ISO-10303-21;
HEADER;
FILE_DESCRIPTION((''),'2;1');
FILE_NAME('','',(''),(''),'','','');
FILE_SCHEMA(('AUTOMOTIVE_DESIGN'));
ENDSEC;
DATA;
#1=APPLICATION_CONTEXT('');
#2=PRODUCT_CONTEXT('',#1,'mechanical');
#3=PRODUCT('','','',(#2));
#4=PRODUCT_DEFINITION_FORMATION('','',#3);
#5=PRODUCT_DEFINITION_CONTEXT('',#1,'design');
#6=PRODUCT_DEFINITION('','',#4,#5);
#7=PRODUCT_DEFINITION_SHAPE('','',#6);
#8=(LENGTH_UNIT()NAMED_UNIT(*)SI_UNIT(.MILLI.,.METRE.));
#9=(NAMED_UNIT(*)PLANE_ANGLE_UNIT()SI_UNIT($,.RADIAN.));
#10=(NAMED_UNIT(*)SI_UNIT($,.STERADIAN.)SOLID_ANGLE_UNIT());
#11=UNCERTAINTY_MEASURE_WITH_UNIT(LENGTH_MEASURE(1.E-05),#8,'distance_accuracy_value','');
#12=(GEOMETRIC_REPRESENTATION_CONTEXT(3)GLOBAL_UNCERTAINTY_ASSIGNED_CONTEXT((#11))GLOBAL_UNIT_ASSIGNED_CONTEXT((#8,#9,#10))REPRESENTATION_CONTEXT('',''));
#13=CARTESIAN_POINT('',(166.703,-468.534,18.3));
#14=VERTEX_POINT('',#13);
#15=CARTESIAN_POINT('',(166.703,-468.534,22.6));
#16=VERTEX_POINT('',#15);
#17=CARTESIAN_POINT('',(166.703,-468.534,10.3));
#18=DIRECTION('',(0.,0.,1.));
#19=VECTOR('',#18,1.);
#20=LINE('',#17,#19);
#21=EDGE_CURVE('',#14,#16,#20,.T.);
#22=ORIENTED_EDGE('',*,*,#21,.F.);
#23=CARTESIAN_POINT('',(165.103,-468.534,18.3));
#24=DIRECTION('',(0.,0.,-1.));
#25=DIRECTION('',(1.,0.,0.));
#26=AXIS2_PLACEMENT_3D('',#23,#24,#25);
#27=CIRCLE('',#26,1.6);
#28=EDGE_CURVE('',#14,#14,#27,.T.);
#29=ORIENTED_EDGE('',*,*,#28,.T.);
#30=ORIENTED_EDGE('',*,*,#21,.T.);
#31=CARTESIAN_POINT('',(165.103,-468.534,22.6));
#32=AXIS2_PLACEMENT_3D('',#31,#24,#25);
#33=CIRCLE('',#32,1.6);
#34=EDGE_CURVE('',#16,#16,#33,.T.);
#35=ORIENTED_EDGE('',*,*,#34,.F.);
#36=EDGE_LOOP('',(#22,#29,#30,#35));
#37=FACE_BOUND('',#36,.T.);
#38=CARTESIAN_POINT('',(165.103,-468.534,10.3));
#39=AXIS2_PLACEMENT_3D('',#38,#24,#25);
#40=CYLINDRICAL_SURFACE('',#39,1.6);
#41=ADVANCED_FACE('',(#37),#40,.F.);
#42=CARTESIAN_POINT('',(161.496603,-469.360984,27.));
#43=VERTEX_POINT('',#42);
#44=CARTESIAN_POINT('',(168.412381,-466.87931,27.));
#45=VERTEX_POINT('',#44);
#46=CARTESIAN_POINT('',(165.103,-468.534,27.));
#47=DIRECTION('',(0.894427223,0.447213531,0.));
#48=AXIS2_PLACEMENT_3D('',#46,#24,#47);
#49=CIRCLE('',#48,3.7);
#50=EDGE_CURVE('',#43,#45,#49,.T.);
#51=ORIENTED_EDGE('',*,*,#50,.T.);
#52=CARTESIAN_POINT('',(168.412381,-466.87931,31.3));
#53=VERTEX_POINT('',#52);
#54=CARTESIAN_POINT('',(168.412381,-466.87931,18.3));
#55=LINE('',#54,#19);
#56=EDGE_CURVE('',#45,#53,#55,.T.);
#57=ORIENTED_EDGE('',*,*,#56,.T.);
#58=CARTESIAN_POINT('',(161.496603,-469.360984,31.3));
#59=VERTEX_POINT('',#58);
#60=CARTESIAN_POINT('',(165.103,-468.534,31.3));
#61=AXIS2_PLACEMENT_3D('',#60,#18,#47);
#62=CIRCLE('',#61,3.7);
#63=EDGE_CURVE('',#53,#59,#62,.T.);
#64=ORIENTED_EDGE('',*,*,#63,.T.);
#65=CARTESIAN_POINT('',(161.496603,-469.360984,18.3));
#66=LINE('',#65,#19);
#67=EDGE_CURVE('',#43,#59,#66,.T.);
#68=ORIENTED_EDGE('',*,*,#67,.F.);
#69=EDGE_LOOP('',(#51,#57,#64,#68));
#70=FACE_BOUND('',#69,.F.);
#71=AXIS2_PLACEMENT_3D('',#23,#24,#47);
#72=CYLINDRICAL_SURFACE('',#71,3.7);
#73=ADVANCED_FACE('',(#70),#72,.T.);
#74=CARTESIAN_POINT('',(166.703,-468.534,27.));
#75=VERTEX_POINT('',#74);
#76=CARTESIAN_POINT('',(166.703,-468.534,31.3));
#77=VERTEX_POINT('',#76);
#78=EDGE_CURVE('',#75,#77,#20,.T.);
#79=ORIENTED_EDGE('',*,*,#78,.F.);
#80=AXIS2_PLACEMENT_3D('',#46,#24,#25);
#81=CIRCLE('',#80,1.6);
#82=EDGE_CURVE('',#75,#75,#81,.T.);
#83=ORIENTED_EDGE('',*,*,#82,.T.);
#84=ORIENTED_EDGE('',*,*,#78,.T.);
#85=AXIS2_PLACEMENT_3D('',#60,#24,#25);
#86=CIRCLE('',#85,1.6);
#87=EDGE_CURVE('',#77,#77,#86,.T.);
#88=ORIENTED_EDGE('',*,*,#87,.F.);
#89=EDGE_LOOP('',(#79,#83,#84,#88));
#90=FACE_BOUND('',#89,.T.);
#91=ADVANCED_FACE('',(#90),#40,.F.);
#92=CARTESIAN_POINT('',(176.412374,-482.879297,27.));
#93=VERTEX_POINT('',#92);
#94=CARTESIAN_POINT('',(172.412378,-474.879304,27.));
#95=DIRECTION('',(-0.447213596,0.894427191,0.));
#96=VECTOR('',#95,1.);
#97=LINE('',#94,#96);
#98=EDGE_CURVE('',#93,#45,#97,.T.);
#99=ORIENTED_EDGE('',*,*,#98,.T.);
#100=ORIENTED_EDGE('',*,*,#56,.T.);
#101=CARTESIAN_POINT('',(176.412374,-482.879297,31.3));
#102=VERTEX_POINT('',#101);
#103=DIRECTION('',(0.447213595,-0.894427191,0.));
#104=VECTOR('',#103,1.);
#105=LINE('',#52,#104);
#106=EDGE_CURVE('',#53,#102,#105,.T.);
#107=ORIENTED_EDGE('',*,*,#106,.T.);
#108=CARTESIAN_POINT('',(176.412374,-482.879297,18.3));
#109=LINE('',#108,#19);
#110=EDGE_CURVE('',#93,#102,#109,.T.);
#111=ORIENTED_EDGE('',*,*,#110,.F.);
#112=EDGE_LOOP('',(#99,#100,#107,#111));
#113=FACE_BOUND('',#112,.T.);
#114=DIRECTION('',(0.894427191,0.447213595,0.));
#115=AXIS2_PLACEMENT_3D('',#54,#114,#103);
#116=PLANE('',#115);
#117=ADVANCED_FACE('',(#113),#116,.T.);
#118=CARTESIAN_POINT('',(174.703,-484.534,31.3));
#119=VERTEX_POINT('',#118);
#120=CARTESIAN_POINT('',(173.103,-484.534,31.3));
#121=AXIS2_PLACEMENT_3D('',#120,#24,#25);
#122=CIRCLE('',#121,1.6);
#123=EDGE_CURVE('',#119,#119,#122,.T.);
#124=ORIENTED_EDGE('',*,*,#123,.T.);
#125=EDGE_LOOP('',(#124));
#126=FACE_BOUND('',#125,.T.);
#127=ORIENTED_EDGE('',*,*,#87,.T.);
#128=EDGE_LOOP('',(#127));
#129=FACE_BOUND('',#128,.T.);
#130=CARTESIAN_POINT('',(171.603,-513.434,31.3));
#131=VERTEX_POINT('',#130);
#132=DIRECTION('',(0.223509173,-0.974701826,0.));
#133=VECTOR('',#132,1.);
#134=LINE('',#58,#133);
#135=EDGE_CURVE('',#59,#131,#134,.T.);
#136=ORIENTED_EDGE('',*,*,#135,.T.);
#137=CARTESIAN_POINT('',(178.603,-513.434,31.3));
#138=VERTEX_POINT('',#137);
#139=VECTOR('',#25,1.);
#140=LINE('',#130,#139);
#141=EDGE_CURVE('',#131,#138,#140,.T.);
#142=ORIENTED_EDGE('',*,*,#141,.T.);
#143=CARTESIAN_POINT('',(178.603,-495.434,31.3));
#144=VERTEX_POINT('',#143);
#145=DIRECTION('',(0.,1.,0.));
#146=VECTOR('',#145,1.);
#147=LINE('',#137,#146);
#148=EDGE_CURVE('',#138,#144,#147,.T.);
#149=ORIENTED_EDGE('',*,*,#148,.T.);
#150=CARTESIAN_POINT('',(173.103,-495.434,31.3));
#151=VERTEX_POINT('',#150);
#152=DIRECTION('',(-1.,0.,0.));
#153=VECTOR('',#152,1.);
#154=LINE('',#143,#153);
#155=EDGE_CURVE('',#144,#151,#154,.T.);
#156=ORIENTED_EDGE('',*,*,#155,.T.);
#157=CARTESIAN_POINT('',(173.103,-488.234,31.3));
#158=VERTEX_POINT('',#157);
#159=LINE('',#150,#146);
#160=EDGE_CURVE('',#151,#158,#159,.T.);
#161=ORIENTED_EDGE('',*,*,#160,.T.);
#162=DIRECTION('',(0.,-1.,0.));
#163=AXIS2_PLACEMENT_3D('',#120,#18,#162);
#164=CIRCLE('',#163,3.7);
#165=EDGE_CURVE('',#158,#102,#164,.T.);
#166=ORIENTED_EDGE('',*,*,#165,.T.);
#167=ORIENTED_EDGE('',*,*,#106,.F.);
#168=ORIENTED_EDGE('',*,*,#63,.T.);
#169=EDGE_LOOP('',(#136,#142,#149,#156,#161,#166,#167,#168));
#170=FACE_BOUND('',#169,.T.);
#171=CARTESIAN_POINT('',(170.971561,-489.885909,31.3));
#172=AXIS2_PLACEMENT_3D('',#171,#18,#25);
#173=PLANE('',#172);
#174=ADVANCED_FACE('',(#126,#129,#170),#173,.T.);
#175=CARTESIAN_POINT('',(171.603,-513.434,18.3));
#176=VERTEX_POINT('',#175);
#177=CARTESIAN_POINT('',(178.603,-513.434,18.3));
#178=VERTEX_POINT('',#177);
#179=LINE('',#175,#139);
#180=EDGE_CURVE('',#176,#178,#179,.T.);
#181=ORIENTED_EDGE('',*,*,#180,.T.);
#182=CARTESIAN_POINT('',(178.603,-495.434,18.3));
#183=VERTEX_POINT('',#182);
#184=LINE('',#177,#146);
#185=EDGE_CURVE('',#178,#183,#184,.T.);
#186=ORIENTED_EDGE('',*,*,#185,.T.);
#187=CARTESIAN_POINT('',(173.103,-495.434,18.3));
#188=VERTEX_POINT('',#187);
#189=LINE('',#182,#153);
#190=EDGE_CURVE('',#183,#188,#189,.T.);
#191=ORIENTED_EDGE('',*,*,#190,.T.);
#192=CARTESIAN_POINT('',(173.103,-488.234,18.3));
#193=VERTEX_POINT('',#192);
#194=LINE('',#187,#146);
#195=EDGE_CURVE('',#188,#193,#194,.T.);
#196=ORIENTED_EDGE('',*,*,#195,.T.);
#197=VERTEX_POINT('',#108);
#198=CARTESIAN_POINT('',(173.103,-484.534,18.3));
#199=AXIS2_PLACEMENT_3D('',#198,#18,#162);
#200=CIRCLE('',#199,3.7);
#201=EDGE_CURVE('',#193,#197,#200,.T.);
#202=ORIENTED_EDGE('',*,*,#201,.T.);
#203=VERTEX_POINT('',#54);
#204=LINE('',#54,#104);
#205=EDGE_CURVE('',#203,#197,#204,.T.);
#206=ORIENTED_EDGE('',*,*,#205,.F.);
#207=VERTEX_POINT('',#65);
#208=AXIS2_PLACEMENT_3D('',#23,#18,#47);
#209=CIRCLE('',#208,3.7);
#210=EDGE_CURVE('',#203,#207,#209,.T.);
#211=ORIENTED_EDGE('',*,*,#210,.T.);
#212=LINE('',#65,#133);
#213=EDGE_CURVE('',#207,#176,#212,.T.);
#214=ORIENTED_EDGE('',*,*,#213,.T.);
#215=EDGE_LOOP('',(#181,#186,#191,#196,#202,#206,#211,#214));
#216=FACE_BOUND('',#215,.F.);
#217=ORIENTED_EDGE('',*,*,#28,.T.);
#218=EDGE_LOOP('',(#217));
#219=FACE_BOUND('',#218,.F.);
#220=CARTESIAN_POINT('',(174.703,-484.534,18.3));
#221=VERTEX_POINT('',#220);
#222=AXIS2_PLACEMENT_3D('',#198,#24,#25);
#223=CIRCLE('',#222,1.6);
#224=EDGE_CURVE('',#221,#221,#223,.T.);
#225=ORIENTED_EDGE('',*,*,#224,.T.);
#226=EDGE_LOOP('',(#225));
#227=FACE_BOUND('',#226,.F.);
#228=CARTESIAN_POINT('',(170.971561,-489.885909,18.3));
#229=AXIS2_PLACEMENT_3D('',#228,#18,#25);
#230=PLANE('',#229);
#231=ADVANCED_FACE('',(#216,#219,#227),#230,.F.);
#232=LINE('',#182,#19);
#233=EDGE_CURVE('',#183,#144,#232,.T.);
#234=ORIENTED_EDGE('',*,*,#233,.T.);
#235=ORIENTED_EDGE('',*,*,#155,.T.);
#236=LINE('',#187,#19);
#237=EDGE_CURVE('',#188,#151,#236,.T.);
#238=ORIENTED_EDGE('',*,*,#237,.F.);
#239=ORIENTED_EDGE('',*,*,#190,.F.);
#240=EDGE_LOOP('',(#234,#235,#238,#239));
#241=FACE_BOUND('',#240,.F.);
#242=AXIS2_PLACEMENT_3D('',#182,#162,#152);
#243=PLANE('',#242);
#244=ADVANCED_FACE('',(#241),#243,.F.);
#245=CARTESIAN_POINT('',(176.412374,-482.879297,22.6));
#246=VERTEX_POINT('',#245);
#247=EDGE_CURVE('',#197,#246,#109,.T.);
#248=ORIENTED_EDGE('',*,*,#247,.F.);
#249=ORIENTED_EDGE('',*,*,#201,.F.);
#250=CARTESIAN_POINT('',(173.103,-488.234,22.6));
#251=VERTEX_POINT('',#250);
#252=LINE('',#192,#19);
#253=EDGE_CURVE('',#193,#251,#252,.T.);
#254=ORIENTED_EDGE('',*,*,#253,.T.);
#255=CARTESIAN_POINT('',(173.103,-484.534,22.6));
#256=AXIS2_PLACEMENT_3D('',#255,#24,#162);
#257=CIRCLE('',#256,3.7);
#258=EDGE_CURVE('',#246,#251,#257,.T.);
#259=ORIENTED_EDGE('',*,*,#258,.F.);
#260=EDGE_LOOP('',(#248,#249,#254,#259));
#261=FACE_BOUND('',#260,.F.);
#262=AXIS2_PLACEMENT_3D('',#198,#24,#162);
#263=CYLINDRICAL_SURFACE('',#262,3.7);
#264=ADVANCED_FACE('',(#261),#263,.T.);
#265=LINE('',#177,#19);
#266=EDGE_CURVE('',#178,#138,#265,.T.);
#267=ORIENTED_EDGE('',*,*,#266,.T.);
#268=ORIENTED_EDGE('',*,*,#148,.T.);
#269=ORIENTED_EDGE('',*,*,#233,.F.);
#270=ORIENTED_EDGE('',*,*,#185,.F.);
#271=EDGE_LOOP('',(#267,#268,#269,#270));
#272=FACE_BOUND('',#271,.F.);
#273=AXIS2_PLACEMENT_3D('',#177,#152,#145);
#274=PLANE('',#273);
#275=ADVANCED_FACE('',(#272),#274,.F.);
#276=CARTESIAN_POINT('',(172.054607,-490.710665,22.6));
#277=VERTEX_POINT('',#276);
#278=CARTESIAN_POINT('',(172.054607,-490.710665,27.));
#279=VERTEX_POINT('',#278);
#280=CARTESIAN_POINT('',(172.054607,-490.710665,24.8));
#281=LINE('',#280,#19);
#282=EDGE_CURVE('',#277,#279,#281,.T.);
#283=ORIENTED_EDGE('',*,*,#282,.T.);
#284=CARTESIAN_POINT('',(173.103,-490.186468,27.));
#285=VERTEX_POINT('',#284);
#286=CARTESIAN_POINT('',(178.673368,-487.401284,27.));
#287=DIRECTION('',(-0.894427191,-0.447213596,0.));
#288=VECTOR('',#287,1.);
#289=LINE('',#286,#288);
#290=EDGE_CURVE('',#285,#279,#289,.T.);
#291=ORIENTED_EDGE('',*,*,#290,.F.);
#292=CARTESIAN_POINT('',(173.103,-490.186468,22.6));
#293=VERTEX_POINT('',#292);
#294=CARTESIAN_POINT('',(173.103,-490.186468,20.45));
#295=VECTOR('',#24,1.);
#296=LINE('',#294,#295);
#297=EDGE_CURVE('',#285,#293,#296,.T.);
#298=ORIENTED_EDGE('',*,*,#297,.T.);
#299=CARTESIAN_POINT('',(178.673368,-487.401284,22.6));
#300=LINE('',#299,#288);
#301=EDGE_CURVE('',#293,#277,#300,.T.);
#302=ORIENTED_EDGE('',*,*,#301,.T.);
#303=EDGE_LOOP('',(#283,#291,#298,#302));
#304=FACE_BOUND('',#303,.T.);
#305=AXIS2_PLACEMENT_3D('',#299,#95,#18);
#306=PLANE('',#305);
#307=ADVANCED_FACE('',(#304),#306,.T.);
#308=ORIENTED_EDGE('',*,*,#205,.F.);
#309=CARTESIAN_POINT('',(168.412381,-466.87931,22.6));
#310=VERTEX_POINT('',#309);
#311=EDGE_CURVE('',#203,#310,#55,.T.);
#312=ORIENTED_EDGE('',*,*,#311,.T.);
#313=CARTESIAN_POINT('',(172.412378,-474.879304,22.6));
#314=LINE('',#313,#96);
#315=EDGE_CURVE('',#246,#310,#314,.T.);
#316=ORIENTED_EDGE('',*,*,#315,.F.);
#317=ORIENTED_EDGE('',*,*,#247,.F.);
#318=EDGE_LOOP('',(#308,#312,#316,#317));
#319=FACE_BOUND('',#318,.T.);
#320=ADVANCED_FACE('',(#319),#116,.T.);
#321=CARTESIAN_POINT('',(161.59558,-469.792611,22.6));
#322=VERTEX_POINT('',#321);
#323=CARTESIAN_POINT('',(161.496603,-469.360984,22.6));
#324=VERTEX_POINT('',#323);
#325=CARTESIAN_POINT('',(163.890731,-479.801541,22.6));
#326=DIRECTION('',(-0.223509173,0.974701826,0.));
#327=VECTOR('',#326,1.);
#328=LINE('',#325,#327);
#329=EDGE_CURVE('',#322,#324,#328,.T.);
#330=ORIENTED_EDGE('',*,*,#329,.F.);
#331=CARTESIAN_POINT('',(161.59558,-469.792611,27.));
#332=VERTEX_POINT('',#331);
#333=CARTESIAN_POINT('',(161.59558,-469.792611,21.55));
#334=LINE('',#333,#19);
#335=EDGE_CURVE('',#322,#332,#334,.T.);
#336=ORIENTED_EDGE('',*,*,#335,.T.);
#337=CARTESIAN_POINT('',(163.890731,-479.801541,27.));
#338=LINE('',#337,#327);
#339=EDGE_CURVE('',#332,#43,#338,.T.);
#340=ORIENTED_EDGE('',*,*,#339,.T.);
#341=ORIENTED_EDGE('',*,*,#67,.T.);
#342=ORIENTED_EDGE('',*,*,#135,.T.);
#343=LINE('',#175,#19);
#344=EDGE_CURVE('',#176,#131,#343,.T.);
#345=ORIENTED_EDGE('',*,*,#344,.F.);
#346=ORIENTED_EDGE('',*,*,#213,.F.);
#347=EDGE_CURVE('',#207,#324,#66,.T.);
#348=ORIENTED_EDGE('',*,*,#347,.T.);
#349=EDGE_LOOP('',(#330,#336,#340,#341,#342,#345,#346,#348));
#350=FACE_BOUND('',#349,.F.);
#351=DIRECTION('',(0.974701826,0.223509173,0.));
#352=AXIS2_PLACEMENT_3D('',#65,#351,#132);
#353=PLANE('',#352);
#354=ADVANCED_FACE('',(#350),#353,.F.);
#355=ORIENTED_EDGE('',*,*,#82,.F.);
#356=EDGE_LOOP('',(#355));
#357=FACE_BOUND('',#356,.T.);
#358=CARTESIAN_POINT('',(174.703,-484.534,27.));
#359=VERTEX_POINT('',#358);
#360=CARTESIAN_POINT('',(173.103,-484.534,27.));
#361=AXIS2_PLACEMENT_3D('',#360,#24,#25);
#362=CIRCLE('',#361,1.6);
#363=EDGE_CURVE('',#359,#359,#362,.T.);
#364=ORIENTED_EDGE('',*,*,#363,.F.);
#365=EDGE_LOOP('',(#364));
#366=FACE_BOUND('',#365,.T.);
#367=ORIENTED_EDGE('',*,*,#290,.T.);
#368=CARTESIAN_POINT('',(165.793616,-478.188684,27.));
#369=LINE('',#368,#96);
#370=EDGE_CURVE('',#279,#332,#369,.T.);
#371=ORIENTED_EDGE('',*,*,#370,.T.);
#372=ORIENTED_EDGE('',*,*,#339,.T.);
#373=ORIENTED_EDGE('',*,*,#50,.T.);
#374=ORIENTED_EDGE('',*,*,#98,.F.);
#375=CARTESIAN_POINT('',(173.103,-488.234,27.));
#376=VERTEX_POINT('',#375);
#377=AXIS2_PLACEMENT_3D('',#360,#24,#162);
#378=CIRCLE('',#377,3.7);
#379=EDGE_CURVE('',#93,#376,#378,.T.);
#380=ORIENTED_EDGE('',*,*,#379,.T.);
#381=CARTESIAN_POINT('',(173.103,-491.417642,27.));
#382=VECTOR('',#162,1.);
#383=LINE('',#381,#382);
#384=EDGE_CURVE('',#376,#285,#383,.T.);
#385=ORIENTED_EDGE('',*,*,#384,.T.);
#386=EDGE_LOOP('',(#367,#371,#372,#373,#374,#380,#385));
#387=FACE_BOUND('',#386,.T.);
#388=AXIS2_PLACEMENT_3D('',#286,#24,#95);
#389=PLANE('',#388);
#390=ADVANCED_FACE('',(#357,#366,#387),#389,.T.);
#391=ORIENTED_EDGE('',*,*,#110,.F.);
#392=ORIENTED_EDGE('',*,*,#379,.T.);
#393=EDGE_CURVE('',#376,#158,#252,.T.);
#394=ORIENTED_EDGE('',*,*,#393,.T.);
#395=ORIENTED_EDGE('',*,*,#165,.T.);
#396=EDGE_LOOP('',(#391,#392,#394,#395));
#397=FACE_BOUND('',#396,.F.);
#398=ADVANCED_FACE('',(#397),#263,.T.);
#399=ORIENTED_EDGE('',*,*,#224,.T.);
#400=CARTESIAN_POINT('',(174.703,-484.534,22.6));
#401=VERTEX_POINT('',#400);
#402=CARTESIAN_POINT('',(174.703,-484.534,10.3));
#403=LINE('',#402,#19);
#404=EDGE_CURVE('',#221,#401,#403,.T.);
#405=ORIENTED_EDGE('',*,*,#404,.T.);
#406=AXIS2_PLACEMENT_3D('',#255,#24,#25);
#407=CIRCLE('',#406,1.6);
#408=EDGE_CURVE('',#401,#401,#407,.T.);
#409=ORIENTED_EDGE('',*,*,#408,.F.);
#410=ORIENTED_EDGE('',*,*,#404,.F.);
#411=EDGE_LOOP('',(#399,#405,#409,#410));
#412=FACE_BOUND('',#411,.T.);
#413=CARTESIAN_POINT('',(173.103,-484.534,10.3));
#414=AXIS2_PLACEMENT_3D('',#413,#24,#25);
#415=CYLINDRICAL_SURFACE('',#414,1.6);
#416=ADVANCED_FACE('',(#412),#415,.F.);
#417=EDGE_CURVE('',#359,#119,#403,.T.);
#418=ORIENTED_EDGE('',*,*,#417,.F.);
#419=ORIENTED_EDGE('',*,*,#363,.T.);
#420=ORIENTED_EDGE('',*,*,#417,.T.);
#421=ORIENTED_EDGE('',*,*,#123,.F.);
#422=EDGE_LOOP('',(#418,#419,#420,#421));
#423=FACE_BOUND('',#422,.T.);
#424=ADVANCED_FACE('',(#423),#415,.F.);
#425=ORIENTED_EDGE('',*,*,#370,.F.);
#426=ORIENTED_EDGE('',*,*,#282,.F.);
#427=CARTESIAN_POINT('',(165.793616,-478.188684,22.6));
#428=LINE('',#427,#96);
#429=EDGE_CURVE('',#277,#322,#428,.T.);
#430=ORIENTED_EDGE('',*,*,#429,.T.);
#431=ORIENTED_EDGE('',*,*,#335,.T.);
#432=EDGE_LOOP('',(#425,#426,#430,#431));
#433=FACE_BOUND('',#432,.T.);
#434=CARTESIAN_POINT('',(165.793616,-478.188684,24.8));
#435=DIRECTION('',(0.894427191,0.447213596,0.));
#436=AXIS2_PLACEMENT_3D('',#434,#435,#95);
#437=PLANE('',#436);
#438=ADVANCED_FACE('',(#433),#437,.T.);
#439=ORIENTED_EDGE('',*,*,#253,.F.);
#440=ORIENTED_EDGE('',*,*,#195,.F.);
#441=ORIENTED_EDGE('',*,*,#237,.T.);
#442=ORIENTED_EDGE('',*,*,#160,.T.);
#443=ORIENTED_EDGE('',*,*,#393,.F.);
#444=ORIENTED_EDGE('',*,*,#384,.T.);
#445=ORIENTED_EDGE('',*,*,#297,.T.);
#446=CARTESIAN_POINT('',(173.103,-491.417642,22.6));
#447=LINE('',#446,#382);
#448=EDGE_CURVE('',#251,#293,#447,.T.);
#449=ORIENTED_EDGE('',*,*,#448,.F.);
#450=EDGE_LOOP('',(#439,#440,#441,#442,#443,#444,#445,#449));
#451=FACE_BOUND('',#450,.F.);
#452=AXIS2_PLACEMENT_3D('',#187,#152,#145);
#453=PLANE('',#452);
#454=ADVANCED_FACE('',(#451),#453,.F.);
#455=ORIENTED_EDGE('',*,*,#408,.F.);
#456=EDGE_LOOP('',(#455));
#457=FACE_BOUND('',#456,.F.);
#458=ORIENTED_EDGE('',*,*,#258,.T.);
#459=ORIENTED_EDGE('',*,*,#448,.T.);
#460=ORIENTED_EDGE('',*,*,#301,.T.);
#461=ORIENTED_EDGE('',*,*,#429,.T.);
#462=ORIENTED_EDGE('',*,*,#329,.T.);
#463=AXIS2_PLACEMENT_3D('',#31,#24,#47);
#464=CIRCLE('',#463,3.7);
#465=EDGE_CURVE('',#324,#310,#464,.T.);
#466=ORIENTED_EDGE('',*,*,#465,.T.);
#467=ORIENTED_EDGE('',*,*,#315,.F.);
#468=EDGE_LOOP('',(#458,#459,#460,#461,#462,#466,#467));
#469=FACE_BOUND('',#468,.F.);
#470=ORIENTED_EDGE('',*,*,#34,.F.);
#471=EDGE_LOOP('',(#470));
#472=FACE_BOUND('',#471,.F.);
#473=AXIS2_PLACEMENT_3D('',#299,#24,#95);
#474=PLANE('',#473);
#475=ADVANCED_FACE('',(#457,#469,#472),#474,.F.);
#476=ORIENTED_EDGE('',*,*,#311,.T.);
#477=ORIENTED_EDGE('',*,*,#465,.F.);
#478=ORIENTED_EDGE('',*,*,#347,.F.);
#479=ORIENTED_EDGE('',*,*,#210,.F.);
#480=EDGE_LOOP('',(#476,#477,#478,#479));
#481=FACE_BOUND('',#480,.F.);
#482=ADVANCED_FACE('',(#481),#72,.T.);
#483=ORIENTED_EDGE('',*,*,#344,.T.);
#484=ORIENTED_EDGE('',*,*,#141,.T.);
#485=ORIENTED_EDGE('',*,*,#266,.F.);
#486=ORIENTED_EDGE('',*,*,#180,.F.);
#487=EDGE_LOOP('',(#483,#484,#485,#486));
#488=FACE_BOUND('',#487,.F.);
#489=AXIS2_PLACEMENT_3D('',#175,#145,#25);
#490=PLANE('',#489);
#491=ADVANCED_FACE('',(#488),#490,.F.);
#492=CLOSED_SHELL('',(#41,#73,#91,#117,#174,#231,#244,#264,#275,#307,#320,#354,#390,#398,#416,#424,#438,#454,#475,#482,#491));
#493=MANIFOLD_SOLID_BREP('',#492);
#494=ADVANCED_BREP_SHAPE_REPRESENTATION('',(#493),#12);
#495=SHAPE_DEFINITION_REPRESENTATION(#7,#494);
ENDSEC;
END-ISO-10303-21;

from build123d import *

# Parameters (mm, degrees)
CYLINDER005_R     = 1.6
CYLINDER005_DEPTH = 30
PAD001_DEPTH      = 13
SKETCH001_W       = 28
SKETCH001_H       = 4.4
POCKET002_DEPTH   = 7.4


with BuildPart() as finger_drill_master:
    # Cylinder005 → Cylinder005 (new body)
    with BuildSketch(Plane.XY.offset(-8)):
        Circle(CYLINDER005_R)
    extrude(amount=CYLINDER005_DEPTH)


with BuildPart() as clone001:
    # Clone001 base: copy of finger-drill-master
    add(finger_drill_master.part)


with BuildPart() as clone001_1:
    # Clone001 placement: moved
    add(clone001.part.moved(Location((-5.5, 28.9, 0))))


with BuildPart() as finger_drills:
    # Clone002 base: copy of finger-drill-master
    add(finger_drill_master.part)


with BuildPart() as finger_drills_1:
    # Clone002 placement: moved
    add(finger_drills.part.moved(Location((-13.5, 44.9, 0))))

    # Fusion011: union Clone001
    add(clone001_1.part)


with BuildPart() as clone_of_left_finger:
    # Sketch007 → Pad001 (new body)
    with BuildSketch(Plane.XY):
        with BuildLine():
            Line((0, 0), (0, 18))
            Line((0, 18), (-5.5, 18))
            Line((-5.5, 18), (-5.5, 25.2))
            ThreePointArc((-5.5, 25.2), (-2.3525883805, 26.9548007564), (-2.1906255667, 30.55470265))
            Line((-10.1906192745, 46.5546900658), (-2.1906255667, 30.55470265))
            ThreePointArc((-10.1906192745, 46.5546900658), (-14.7496924515, 48.3825664066), (-17.1063967324, 44.0730159565))
            Line((-17.1063967324, 44.0730159565), (-7, 0))
            Line((-7, 0), (0, 0))
        make_face()
    extrude(amount=PAD001_DEPTH)

    # Sketch001 → Pocket002 (cut)
    with BuildSketch(Plane(origin=(10.4693806066, 5.2346903033, 0), x_dir=(-0.4472135955, 0.894427191, 0), z_dir=(0.894427191, 0.4472135955, 0))):
        with Locations((37.2528992744, 6.5)):
            Rectangle(SKETCH001_W, SKETCH001_H)
    extrude(amount=-POCKET002_DEPTH, mode=Mode.SUBTRACT)

    # Cut012: cut finger-drills
    add(finger_drills_1.part, mode=Mode.SUBTRACT)


with BuildPart() as clone_of_left_finger_1:
    # Cut012 placement: moved
    add(clone_of_left_finger.part.moved(Location((0, -57, 0))))


with BuildPart() as clone_of_left_finger_2:
    # Clone003 placement: moved
    add(clone_of_left_finger_1.part.moved(Location((192.6034801236, 242.5662976869, 0))))


with BuildPart() as clone_of_left_finger_3:
    # Clone180 placement: moved
    add(clone_of_left_finger_2.part.moved(Location((-14.0004801236, -699.0002976869, 18.3))))


solid = clone_of_left_finger_3.part
